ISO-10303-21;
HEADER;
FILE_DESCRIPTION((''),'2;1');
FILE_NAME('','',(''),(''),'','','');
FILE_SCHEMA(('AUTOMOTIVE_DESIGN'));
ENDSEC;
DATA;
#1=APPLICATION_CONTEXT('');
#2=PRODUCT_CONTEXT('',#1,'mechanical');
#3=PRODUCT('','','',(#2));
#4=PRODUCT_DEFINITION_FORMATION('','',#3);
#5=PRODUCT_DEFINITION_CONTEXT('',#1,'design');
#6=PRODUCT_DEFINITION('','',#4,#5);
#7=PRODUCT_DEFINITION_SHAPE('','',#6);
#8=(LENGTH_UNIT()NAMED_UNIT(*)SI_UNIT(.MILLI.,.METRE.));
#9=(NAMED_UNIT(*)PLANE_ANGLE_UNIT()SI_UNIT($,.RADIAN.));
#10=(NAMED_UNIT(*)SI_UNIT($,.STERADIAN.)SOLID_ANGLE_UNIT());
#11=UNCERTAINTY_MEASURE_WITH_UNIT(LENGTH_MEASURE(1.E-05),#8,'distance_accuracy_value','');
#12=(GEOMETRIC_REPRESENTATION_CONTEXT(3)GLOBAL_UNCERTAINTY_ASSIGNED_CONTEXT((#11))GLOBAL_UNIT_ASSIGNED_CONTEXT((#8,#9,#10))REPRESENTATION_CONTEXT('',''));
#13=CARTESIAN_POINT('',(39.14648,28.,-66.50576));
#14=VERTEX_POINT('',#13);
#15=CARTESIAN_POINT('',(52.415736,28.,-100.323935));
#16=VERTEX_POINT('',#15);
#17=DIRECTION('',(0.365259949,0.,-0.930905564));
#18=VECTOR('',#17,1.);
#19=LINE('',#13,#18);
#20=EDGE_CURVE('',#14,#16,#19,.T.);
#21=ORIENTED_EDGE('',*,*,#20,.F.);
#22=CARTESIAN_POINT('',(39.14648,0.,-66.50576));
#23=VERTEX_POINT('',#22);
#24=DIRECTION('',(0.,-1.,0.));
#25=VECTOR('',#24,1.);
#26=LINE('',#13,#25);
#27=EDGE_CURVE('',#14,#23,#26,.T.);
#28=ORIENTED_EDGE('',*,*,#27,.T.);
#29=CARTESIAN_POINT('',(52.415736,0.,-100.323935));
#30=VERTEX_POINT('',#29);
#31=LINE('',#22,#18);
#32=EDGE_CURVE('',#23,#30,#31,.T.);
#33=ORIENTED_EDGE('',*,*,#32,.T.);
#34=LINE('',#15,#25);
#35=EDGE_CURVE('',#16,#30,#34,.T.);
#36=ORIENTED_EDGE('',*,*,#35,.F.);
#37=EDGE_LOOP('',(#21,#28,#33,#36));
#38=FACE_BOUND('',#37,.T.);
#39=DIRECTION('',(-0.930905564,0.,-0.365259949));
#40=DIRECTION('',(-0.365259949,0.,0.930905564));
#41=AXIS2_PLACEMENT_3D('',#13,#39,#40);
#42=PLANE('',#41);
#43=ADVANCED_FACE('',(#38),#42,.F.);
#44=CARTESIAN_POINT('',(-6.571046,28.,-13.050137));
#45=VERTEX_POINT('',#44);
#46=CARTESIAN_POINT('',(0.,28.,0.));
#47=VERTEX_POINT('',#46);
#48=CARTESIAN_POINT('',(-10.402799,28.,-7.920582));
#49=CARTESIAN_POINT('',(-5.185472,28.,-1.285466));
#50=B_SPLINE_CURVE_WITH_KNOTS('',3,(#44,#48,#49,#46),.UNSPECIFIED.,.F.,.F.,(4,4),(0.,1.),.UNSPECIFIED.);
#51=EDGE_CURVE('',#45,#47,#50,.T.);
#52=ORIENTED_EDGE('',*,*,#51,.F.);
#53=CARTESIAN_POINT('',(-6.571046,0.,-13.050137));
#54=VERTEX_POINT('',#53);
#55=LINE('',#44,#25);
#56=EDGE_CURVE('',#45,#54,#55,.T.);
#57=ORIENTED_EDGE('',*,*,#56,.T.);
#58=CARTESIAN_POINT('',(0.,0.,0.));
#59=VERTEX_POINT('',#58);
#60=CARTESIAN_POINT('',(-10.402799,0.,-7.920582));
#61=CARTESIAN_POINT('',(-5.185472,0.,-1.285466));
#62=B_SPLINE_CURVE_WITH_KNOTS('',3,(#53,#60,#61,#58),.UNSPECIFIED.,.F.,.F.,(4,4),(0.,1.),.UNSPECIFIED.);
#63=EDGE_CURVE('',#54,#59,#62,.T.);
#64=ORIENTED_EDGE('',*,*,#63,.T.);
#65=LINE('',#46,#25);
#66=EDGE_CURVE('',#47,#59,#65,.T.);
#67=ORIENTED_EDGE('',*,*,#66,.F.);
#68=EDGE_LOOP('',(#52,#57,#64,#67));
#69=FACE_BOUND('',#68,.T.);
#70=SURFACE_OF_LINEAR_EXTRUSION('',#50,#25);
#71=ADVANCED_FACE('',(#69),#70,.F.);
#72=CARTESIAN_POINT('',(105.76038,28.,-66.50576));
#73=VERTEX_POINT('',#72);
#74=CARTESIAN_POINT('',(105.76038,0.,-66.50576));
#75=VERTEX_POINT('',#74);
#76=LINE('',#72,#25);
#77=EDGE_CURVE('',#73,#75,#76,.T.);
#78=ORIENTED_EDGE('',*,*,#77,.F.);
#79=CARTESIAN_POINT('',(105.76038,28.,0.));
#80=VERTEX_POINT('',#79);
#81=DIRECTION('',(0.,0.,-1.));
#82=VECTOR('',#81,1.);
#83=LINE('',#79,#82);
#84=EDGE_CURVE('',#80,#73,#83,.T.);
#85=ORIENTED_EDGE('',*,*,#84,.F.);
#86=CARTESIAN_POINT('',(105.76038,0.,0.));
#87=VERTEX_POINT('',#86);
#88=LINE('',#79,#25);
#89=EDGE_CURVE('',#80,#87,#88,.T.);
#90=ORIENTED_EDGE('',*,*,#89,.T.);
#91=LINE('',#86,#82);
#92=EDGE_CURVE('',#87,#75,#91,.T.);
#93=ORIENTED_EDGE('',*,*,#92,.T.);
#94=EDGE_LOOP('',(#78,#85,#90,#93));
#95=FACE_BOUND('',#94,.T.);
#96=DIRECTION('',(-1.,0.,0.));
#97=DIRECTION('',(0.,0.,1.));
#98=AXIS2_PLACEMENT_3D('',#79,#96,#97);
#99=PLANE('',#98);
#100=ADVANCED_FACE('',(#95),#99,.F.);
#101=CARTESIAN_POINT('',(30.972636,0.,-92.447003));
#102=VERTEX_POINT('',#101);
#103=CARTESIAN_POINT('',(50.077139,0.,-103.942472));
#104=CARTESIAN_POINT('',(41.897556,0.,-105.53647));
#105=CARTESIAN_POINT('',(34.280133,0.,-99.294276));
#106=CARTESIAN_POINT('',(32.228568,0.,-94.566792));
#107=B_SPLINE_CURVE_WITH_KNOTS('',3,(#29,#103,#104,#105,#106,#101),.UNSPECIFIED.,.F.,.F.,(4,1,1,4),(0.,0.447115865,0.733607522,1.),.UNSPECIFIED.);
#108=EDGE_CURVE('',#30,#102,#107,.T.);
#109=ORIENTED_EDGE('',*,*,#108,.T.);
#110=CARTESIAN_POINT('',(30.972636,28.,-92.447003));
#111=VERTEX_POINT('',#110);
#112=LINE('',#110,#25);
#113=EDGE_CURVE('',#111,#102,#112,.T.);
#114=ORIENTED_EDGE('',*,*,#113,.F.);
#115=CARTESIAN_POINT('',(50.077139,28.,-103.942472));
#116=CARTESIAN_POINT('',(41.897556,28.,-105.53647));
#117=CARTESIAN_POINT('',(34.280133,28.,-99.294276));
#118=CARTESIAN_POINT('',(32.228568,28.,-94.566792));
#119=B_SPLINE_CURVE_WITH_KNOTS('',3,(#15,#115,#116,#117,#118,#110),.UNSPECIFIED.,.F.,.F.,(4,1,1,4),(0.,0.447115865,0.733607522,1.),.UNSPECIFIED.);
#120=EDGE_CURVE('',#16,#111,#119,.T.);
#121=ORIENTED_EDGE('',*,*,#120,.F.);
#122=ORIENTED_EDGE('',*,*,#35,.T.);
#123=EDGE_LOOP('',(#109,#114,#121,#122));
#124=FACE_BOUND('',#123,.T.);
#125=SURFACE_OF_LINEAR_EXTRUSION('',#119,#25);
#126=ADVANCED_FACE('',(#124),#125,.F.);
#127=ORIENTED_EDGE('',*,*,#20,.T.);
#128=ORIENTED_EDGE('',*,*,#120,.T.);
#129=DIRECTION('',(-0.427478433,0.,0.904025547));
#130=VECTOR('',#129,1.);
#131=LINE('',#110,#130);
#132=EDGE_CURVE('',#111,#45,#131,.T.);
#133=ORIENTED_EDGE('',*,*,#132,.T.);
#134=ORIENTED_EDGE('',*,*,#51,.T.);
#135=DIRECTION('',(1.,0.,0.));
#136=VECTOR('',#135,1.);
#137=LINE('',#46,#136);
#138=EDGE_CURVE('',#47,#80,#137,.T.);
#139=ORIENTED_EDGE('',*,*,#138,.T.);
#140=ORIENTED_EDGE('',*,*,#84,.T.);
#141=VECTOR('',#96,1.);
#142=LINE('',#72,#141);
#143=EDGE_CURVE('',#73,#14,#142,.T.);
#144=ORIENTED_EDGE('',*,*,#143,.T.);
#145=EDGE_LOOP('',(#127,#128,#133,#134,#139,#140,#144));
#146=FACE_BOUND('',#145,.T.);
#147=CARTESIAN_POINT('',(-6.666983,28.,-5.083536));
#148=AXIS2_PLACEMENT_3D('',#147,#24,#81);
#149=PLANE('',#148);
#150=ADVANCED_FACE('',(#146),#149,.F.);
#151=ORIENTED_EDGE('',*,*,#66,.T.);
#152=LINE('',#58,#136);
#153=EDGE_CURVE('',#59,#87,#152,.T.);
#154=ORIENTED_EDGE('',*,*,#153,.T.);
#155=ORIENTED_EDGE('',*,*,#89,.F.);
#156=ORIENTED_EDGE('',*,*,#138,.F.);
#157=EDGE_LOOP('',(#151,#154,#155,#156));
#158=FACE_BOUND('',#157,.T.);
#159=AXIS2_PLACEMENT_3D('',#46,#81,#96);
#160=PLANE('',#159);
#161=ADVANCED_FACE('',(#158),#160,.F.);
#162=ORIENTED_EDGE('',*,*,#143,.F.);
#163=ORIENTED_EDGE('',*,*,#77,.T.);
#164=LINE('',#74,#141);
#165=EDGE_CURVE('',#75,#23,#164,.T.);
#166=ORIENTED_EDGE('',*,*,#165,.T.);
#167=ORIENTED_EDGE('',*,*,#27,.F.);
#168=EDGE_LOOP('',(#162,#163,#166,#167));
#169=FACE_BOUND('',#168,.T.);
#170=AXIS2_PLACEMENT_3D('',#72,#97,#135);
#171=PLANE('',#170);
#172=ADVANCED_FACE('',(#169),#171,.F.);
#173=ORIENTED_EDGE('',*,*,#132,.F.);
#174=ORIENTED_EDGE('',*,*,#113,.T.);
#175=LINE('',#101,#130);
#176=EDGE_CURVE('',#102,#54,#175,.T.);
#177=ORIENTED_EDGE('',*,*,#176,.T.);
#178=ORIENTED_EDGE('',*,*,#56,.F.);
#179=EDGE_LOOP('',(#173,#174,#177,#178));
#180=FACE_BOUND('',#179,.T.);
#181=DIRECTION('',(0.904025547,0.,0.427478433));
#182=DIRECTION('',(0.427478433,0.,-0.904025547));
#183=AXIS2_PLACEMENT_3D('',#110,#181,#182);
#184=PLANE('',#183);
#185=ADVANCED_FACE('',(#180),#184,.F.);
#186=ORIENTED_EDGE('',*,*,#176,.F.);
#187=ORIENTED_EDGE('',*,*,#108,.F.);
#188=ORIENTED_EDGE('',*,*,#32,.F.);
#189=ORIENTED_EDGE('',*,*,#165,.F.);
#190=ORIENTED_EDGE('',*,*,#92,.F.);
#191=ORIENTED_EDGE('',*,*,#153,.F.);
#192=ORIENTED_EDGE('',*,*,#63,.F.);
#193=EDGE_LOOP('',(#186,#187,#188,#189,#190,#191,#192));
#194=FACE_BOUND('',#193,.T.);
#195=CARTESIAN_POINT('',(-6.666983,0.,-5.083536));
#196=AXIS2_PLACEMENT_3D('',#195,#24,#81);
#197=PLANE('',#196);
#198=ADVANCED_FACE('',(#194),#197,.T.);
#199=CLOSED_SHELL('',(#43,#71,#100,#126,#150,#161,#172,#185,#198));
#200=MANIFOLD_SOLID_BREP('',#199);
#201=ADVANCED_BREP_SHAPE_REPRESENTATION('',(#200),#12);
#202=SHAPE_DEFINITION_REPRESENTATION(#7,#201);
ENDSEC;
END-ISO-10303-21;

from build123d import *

# Parameters (mm, degrees)
BOSS_EXTRUDE1_DEPTH = 28


with BuildPart() as part:
    # Sketch1 → Boss-Extrude1 (new body)
    with BuildSketch(Plane(origin=(0, 0, 0), x_dir=(1, 0, 0), z_dir=(0, 1, 0))):
        with BuildLine():
            Line((0, 0), (105.760379504, 0))
            Line((105.760379504, 0), (105.760379504, 66.505760117))
            Line((105.760379504, 66.505760117), (39.146479939, 66.505760117))
            Line((39.146479939, 66.505760117), (52.415736455, 100.323934711))
            add(Edge.make_bspline(
                [(52.415736455, 100.323934711), (50.07713871, 103.942471785), (41.897556232, 105.536469955), (34.280133355, 99.294275572), (32.228567822, 94.566792302), (30.972636221, 92.447002695)],
                knots=[0, 0, 0, 0, 0.447115865, 0.733607522, 1, 1, 1, 1], degree=3))
            Line((30.972636221, 92.447002695), (-6.571045616, 13.050137499))
            add(Edge.make_bspline(
                [(-6.571045616, 13.050137499), (-10.402799403, 7.920582359), (-5.185472177, 1.285466499), (0, 0)],
                knots=[0, 0, 0, 0, 1, 1, 1, 1], degree=3))
        make_face()
    extrude(amount=BOSS_EXTRUDE1_DEPTH)


solid = part.part
